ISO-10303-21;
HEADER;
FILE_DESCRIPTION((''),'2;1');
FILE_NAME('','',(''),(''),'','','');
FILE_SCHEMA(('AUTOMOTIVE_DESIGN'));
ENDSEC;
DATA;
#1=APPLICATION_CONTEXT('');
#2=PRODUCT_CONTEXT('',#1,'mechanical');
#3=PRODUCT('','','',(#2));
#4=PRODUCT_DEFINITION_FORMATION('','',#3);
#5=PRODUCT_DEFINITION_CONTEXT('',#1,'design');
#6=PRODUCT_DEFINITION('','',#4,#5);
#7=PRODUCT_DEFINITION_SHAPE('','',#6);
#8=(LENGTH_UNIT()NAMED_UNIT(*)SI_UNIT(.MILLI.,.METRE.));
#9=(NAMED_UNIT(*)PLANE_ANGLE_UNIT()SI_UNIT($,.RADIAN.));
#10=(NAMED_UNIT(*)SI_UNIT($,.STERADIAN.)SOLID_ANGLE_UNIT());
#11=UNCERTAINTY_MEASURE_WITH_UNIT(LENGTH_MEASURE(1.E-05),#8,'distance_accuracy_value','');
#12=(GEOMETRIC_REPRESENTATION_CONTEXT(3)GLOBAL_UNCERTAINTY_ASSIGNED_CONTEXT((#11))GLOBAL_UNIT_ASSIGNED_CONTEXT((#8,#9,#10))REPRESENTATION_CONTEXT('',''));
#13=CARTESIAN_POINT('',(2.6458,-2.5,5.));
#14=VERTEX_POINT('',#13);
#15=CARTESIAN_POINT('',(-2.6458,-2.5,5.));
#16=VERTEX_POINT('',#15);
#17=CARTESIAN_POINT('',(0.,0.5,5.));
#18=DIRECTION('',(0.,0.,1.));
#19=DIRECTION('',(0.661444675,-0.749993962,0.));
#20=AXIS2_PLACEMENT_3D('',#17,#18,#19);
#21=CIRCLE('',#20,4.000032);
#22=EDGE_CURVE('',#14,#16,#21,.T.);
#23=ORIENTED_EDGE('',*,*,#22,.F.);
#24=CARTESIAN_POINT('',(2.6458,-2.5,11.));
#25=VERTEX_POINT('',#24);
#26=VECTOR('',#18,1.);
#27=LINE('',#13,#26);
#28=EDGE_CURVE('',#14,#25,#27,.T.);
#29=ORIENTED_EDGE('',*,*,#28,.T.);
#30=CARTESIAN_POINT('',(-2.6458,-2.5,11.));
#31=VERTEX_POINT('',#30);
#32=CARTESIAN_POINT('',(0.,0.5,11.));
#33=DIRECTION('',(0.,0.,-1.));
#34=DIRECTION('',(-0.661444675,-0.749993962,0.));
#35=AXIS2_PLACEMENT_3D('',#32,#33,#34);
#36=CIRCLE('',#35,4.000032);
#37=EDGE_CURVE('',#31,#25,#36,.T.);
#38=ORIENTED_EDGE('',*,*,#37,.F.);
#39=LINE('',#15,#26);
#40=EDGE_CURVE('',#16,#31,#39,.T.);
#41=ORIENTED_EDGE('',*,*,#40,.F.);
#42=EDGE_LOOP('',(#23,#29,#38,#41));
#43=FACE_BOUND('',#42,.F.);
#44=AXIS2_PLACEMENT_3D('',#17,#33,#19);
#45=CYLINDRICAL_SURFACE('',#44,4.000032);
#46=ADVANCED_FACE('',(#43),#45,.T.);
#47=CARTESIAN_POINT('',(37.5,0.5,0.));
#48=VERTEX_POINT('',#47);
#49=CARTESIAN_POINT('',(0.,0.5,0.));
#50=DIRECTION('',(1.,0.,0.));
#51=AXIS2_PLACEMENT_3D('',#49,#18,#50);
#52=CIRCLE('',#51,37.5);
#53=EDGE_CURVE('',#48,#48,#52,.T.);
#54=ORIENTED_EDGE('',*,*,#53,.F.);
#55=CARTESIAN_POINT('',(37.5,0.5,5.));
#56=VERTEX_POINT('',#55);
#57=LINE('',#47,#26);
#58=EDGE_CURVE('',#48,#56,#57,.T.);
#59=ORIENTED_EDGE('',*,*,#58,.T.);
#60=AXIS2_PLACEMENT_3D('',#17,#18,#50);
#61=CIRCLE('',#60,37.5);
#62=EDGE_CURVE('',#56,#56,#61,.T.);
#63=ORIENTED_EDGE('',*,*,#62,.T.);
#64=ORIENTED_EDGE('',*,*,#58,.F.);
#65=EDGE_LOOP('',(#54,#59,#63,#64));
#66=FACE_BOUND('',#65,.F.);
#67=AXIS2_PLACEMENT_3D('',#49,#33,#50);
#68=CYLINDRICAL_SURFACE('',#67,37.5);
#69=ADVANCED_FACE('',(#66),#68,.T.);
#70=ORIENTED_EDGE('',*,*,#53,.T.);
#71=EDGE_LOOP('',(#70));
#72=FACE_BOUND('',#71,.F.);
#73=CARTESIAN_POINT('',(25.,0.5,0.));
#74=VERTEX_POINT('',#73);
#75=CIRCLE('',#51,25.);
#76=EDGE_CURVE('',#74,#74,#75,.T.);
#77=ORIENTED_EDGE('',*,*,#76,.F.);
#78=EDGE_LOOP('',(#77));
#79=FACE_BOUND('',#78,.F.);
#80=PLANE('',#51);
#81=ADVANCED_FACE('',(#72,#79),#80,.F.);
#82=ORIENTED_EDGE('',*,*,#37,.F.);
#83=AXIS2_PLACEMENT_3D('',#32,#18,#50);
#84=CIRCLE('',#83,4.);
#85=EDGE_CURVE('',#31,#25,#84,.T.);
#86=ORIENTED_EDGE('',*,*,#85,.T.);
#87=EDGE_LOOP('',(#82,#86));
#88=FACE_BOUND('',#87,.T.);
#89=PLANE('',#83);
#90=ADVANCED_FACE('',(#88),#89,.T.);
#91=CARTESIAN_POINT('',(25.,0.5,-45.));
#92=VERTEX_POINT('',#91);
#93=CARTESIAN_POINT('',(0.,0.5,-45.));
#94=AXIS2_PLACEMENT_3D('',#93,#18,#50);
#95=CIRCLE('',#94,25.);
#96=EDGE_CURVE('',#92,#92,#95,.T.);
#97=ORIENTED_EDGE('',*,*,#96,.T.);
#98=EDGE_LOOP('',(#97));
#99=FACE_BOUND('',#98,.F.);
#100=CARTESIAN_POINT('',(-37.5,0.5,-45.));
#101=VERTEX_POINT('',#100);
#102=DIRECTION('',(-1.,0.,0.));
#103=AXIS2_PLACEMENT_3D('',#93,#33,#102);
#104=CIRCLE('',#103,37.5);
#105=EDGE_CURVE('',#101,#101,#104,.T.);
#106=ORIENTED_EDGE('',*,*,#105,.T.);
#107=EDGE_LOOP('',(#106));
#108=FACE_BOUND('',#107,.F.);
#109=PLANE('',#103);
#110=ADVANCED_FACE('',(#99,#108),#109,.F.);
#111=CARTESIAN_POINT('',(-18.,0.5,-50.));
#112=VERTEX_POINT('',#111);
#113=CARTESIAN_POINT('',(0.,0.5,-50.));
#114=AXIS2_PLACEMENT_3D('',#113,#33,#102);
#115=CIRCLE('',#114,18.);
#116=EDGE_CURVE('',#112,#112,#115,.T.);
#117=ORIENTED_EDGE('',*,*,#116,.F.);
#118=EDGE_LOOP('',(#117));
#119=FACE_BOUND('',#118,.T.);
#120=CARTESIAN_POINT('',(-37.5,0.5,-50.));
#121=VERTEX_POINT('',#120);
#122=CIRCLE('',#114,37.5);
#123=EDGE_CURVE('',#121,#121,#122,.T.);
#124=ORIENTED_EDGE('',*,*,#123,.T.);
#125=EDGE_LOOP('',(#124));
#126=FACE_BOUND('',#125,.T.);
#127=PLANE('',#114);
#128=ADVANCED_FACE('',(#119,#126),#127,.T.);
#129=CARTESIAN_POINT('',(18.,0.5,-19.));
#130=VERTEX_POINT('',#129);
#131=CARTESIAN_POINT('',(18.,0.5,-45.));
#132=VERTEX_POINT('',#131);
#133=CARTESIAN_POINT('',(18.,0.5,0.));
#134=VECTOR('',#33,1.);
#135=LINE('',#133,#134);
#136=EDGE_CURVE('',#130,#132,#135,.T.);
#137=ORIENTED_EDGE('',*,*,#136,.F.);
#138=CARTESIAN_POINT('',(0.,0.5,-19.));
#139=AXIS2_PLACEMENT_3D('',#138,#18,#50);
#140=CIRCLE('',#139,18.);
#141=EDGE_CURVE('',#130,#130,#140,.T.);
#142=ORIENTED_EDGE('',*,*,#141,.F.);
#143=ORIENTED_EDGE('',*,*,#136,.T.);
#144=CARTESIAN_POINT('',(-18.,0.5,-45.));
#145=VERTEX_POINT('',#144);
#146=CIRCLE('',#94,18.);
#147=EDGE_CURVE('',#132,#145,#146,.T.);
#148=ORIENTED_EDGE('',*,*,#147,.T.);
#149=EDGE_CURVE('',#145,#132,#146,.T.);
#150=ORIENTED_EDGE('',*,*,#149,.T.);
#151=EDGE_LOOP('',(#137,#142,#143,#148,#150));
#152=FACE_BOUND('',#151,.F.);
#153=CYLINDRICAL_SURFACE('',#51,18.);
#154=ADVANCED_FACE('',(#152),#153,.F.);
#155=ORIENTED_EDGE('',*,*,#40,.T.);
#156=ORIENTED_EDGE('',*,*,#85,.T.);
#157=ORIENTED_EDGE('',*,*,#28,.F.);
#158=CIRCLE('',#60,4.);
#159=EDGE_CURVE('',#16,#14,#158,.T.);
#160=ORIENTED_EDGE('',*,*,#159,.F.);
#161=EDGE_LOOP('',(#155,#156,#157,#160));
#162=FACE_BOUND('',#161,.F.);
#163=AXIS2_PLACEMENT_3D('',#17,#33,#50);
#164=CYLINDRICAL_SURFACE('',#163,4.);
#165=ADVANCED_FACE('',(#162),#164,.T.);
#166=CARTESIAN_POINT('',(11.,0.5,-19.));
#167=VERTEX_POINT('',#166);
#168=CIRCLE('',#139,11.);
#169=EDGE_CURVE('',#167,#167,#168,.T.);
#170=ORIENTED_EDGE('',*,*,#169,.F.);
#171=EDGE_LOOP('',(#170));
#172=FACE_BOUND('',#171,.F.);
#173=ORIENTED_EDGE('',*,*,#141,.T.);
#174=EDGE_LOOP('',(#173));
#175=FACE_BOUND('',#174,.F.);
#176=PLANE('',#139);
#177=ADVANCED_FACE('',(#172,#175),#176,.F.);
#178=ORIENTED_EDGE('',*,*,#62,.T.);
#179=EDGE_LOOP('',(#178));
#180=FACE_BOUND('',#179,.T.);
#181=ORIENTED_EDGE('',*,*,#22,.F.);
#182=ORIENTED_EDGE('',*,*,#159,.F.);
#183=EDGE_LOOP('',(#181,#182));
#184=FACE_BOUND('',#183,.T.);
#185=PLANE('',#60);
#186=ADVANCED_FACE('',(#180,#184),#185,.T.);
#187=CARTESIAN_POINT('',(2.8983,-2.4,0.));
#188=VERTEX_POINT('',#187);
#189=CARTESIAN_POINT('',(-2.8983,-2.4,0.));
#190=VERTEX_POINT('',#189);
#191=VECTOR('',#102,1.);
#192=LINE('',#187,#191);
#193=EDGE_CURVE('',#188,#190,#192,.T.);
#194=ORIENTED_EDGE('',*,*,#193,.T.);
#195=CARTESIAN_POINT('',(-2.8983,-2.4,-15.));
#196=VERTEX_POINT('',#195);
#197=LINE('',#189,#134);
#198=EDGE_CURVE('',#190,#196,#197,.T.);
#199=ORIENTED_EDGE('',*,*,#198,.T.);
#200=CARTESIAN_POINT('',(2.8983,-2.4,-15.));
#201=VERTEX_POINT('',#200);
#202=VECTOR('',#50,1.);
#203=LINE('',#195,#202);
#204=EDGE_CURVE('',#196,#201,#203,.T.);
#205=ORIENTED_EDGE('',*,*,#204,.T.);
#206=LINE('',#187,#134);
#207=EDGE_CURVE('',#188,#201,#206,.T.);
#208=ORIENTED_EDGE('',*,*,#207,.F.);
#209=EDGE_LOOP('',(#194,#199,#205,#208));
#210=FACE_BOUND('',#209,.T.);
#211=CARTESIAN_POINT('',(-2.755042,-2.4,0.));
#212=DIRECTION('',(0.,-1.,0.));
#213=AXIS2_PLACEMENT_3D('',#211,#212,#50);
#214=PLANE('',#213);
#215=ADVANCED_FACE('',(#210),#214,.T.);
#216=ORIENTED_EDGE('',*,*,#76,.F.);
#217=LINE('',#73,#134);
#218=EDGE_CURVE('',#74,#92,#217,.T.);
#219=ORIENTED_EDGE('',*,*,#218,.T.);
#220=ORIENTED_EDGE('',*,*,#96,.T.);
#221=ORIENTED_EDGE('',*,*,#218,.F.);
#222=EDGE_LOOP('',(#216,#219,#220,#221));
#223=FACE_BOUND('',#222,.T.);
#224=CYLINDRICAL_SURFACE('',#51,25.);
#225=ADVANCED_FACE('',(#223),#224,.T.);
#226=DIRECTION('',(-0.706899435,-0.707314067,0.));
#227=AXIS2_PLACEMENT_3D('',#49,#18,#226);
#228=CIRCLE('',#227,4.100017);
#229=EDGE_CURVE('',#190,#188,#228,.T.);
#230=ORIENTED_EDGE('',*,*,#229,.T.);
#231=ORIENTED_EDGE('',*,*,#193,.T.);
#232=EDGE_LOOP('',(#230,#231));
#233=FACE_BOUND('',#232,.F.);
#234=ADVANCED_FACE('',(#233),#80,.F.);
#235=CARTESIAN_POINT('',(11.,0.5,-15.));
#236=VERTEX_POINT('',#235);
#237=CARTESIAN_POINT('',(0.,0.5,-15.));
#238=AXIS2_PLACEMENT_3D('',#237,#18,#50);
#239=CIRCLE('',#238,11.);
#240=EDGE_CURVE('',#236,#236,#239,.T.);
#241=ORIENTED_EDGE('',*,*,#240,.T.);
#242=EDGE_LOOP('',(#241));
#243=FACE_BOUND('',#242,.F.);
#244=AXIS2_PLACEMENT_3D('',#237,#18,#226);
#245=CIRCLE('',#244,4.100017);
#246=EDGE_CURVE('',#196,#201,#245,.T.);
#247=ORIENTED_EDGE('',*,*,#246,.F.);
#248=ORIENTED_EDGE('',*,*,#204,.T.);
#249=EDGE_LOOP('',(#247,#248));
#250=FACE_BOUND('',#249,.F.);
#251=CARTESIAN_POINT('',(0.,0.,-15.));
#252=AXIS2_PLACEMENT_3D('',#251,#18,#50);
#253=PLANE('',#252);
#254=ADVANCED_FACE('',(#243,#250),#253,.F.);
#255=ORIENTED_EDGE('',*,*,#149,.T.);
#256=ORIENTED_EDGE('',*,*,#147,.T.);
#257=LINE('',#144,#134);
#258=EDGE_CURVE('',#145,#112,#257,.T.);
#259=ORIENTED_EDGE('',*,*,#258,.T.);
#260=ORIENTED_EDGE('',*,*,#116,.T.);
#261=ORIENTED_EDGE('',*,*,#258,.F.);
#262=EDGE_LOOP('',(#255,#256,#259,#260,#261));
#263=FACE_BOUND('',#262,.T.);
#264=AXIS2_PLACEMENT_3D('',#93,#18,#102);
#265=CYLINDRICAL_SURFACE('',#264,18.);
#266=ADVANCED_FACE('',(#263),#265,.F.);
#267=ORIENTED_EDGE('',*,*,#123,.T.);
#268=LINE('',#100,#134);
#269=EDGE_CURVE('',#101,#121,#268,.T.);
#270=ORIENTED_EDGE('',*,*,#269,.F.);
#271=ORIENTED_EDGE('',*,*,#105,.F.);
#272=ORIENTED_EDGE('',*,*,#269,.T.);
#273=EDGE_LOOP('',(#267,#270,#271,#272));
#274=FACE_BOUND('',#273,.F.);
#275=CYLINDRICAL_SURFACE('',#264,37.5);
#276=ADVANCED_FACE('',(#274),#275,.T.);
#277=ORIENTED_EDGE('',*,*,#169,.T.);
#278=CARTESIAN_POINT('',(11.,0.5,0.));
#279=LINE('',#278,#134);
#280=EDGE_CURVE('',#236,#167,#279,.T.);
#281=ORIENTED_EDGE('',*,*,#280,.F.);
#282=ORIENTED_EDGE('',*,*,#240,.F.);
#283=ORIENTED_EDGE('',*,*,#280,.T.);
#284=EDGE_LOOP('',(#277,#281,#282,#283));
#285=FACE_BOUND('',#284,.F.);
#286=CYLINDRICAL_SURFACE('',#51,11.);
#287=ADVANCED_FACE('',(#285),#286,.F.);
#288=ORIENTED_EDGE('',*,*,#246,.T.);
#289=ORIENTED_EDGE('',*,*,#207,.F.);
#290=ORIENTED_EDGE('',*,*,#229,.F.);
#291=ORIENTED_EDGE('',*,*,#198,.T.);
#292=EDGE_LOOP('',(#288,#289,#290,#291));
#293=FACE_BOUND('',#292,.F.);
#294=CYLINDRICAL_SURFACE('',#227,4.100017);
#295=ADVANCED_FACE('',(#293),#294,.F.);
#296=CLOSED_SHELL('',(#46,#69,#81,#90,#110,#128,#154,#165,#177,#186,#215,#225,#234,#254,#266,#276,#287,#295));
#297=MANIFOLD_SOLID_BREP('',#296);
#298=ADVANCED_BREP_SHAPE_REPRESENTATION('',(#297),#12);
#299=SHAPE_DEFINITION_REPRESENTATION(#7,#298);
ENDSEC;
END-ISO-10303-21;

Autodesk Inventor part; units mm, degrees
ref_plane "YZ Plane" through (0, 0, 0) normal (1, 0, 0) x (0, 1, 0)
ref_plane "XZ Plane" through (0, 0, 0) normal (0, 1, 0) x (-1, 0, 0)
ref_plane "XY Plane" through (0, 0, 0) normal (0, 0, 1) x (1, 0, 0)
sketch "Sketch1" plane through (0, 0, 0) normal (0, 0, 1) x (1, 0, 0)
  arc A0 (2.6458, -2.5) -> (-2.6458, -2.5) centre (0, 0.5) ccw projected
  line L0 (-2.6458, -2.5) -> (2.6458, -2.5) projected
  arc A1 (-2.8983, -2.4) -> (2.8983, -2.4) centre (0, 0.5) ccw
  line L1 (-2.8983, -2.4) -> (2.8983, -2.4)
  circle A2 centre (0, 0.5) radius 11 projected
  circle A3 centre (0, 0.5) radius 18 projected
  circle A4 centre (0, 0.5) radius 18.1
  circle A5 centre (0, 0) radius 25
  circle A6 centre (0, 0) radius 37.5
  dimension "d0" = 0.1
  dimension "d1" = 0.1
  dimension "d2" = 50
  dimension "d3" = 75
extrude "Extrusion1" add sketch "Sketch1" against normal blind 15 contours L1 A0 | A2
sketch "Sketch3" plane through (0, 0.5, 0) normal (0, 0, 1) x (1, 0, 0)
  circle A0 centre (0, 0) radius 11 projected
  circle A1 centre (0, 0) radius 18 projected
  point P0 (0, -0.5)
extrude "Extrusion2" add sketch "Sketch3" against normal blind 19
sketch "Sketch4" plane through (0, 0.5, 0) normal (0, 0, 1) x (1, 0, 0)
  circle A0 centre (0, 0) radius 18 projected
  circle A1 centre (0, 0) radius 25
  point P0 (0, -0.5)
  dimension "d8" = 50
extrude "Extrusion3" add sketch "Sketch4" against normal blind 45
sketch "Sketch5" plane through (0, 0.5, 0) normal (0, 0, 1) x (1, 0, 0)
  circle A0 centre (0, 0) radius 37.5
  point P0 (0, -0.5)
  dimension "d11" = 75
extrude "Extrusion4" add sketch "Sketch5" along normal blind 5
sketch "Sketch6" plane through (0, 0.5, -45) normal (0, 0, -1) x (-1, 0, 0)
  circle A0 centre (0, 0) radius 37.5
  circle A1 centre (0, 0) radius 18 projected
  point P0 (0, -0.5)
  dimension "d14" = 75
extrude "Extrusion6" add sketch "Sketch6" along normal blind 5
sketch "Sketch8" plane through (0, 0.5, 5) normal (0, 0, 1) x (1, 0, 0)
  arc A0 (2.6458, -3) -> (-2.6458, -3) centre (0, 0) ccw projected
  line L0 (-2.6458, -3) -> (2.6458, -3) projected
  circle A1 centre (0, 0) radius 4
  point P0 (0, -0.5)
  point P1 (4, 0)
  point P2 (2.6458, -3)
extrude "Extrusion7" add sketch "Sketch8" along normal blind 6
properties part number "Drum"
